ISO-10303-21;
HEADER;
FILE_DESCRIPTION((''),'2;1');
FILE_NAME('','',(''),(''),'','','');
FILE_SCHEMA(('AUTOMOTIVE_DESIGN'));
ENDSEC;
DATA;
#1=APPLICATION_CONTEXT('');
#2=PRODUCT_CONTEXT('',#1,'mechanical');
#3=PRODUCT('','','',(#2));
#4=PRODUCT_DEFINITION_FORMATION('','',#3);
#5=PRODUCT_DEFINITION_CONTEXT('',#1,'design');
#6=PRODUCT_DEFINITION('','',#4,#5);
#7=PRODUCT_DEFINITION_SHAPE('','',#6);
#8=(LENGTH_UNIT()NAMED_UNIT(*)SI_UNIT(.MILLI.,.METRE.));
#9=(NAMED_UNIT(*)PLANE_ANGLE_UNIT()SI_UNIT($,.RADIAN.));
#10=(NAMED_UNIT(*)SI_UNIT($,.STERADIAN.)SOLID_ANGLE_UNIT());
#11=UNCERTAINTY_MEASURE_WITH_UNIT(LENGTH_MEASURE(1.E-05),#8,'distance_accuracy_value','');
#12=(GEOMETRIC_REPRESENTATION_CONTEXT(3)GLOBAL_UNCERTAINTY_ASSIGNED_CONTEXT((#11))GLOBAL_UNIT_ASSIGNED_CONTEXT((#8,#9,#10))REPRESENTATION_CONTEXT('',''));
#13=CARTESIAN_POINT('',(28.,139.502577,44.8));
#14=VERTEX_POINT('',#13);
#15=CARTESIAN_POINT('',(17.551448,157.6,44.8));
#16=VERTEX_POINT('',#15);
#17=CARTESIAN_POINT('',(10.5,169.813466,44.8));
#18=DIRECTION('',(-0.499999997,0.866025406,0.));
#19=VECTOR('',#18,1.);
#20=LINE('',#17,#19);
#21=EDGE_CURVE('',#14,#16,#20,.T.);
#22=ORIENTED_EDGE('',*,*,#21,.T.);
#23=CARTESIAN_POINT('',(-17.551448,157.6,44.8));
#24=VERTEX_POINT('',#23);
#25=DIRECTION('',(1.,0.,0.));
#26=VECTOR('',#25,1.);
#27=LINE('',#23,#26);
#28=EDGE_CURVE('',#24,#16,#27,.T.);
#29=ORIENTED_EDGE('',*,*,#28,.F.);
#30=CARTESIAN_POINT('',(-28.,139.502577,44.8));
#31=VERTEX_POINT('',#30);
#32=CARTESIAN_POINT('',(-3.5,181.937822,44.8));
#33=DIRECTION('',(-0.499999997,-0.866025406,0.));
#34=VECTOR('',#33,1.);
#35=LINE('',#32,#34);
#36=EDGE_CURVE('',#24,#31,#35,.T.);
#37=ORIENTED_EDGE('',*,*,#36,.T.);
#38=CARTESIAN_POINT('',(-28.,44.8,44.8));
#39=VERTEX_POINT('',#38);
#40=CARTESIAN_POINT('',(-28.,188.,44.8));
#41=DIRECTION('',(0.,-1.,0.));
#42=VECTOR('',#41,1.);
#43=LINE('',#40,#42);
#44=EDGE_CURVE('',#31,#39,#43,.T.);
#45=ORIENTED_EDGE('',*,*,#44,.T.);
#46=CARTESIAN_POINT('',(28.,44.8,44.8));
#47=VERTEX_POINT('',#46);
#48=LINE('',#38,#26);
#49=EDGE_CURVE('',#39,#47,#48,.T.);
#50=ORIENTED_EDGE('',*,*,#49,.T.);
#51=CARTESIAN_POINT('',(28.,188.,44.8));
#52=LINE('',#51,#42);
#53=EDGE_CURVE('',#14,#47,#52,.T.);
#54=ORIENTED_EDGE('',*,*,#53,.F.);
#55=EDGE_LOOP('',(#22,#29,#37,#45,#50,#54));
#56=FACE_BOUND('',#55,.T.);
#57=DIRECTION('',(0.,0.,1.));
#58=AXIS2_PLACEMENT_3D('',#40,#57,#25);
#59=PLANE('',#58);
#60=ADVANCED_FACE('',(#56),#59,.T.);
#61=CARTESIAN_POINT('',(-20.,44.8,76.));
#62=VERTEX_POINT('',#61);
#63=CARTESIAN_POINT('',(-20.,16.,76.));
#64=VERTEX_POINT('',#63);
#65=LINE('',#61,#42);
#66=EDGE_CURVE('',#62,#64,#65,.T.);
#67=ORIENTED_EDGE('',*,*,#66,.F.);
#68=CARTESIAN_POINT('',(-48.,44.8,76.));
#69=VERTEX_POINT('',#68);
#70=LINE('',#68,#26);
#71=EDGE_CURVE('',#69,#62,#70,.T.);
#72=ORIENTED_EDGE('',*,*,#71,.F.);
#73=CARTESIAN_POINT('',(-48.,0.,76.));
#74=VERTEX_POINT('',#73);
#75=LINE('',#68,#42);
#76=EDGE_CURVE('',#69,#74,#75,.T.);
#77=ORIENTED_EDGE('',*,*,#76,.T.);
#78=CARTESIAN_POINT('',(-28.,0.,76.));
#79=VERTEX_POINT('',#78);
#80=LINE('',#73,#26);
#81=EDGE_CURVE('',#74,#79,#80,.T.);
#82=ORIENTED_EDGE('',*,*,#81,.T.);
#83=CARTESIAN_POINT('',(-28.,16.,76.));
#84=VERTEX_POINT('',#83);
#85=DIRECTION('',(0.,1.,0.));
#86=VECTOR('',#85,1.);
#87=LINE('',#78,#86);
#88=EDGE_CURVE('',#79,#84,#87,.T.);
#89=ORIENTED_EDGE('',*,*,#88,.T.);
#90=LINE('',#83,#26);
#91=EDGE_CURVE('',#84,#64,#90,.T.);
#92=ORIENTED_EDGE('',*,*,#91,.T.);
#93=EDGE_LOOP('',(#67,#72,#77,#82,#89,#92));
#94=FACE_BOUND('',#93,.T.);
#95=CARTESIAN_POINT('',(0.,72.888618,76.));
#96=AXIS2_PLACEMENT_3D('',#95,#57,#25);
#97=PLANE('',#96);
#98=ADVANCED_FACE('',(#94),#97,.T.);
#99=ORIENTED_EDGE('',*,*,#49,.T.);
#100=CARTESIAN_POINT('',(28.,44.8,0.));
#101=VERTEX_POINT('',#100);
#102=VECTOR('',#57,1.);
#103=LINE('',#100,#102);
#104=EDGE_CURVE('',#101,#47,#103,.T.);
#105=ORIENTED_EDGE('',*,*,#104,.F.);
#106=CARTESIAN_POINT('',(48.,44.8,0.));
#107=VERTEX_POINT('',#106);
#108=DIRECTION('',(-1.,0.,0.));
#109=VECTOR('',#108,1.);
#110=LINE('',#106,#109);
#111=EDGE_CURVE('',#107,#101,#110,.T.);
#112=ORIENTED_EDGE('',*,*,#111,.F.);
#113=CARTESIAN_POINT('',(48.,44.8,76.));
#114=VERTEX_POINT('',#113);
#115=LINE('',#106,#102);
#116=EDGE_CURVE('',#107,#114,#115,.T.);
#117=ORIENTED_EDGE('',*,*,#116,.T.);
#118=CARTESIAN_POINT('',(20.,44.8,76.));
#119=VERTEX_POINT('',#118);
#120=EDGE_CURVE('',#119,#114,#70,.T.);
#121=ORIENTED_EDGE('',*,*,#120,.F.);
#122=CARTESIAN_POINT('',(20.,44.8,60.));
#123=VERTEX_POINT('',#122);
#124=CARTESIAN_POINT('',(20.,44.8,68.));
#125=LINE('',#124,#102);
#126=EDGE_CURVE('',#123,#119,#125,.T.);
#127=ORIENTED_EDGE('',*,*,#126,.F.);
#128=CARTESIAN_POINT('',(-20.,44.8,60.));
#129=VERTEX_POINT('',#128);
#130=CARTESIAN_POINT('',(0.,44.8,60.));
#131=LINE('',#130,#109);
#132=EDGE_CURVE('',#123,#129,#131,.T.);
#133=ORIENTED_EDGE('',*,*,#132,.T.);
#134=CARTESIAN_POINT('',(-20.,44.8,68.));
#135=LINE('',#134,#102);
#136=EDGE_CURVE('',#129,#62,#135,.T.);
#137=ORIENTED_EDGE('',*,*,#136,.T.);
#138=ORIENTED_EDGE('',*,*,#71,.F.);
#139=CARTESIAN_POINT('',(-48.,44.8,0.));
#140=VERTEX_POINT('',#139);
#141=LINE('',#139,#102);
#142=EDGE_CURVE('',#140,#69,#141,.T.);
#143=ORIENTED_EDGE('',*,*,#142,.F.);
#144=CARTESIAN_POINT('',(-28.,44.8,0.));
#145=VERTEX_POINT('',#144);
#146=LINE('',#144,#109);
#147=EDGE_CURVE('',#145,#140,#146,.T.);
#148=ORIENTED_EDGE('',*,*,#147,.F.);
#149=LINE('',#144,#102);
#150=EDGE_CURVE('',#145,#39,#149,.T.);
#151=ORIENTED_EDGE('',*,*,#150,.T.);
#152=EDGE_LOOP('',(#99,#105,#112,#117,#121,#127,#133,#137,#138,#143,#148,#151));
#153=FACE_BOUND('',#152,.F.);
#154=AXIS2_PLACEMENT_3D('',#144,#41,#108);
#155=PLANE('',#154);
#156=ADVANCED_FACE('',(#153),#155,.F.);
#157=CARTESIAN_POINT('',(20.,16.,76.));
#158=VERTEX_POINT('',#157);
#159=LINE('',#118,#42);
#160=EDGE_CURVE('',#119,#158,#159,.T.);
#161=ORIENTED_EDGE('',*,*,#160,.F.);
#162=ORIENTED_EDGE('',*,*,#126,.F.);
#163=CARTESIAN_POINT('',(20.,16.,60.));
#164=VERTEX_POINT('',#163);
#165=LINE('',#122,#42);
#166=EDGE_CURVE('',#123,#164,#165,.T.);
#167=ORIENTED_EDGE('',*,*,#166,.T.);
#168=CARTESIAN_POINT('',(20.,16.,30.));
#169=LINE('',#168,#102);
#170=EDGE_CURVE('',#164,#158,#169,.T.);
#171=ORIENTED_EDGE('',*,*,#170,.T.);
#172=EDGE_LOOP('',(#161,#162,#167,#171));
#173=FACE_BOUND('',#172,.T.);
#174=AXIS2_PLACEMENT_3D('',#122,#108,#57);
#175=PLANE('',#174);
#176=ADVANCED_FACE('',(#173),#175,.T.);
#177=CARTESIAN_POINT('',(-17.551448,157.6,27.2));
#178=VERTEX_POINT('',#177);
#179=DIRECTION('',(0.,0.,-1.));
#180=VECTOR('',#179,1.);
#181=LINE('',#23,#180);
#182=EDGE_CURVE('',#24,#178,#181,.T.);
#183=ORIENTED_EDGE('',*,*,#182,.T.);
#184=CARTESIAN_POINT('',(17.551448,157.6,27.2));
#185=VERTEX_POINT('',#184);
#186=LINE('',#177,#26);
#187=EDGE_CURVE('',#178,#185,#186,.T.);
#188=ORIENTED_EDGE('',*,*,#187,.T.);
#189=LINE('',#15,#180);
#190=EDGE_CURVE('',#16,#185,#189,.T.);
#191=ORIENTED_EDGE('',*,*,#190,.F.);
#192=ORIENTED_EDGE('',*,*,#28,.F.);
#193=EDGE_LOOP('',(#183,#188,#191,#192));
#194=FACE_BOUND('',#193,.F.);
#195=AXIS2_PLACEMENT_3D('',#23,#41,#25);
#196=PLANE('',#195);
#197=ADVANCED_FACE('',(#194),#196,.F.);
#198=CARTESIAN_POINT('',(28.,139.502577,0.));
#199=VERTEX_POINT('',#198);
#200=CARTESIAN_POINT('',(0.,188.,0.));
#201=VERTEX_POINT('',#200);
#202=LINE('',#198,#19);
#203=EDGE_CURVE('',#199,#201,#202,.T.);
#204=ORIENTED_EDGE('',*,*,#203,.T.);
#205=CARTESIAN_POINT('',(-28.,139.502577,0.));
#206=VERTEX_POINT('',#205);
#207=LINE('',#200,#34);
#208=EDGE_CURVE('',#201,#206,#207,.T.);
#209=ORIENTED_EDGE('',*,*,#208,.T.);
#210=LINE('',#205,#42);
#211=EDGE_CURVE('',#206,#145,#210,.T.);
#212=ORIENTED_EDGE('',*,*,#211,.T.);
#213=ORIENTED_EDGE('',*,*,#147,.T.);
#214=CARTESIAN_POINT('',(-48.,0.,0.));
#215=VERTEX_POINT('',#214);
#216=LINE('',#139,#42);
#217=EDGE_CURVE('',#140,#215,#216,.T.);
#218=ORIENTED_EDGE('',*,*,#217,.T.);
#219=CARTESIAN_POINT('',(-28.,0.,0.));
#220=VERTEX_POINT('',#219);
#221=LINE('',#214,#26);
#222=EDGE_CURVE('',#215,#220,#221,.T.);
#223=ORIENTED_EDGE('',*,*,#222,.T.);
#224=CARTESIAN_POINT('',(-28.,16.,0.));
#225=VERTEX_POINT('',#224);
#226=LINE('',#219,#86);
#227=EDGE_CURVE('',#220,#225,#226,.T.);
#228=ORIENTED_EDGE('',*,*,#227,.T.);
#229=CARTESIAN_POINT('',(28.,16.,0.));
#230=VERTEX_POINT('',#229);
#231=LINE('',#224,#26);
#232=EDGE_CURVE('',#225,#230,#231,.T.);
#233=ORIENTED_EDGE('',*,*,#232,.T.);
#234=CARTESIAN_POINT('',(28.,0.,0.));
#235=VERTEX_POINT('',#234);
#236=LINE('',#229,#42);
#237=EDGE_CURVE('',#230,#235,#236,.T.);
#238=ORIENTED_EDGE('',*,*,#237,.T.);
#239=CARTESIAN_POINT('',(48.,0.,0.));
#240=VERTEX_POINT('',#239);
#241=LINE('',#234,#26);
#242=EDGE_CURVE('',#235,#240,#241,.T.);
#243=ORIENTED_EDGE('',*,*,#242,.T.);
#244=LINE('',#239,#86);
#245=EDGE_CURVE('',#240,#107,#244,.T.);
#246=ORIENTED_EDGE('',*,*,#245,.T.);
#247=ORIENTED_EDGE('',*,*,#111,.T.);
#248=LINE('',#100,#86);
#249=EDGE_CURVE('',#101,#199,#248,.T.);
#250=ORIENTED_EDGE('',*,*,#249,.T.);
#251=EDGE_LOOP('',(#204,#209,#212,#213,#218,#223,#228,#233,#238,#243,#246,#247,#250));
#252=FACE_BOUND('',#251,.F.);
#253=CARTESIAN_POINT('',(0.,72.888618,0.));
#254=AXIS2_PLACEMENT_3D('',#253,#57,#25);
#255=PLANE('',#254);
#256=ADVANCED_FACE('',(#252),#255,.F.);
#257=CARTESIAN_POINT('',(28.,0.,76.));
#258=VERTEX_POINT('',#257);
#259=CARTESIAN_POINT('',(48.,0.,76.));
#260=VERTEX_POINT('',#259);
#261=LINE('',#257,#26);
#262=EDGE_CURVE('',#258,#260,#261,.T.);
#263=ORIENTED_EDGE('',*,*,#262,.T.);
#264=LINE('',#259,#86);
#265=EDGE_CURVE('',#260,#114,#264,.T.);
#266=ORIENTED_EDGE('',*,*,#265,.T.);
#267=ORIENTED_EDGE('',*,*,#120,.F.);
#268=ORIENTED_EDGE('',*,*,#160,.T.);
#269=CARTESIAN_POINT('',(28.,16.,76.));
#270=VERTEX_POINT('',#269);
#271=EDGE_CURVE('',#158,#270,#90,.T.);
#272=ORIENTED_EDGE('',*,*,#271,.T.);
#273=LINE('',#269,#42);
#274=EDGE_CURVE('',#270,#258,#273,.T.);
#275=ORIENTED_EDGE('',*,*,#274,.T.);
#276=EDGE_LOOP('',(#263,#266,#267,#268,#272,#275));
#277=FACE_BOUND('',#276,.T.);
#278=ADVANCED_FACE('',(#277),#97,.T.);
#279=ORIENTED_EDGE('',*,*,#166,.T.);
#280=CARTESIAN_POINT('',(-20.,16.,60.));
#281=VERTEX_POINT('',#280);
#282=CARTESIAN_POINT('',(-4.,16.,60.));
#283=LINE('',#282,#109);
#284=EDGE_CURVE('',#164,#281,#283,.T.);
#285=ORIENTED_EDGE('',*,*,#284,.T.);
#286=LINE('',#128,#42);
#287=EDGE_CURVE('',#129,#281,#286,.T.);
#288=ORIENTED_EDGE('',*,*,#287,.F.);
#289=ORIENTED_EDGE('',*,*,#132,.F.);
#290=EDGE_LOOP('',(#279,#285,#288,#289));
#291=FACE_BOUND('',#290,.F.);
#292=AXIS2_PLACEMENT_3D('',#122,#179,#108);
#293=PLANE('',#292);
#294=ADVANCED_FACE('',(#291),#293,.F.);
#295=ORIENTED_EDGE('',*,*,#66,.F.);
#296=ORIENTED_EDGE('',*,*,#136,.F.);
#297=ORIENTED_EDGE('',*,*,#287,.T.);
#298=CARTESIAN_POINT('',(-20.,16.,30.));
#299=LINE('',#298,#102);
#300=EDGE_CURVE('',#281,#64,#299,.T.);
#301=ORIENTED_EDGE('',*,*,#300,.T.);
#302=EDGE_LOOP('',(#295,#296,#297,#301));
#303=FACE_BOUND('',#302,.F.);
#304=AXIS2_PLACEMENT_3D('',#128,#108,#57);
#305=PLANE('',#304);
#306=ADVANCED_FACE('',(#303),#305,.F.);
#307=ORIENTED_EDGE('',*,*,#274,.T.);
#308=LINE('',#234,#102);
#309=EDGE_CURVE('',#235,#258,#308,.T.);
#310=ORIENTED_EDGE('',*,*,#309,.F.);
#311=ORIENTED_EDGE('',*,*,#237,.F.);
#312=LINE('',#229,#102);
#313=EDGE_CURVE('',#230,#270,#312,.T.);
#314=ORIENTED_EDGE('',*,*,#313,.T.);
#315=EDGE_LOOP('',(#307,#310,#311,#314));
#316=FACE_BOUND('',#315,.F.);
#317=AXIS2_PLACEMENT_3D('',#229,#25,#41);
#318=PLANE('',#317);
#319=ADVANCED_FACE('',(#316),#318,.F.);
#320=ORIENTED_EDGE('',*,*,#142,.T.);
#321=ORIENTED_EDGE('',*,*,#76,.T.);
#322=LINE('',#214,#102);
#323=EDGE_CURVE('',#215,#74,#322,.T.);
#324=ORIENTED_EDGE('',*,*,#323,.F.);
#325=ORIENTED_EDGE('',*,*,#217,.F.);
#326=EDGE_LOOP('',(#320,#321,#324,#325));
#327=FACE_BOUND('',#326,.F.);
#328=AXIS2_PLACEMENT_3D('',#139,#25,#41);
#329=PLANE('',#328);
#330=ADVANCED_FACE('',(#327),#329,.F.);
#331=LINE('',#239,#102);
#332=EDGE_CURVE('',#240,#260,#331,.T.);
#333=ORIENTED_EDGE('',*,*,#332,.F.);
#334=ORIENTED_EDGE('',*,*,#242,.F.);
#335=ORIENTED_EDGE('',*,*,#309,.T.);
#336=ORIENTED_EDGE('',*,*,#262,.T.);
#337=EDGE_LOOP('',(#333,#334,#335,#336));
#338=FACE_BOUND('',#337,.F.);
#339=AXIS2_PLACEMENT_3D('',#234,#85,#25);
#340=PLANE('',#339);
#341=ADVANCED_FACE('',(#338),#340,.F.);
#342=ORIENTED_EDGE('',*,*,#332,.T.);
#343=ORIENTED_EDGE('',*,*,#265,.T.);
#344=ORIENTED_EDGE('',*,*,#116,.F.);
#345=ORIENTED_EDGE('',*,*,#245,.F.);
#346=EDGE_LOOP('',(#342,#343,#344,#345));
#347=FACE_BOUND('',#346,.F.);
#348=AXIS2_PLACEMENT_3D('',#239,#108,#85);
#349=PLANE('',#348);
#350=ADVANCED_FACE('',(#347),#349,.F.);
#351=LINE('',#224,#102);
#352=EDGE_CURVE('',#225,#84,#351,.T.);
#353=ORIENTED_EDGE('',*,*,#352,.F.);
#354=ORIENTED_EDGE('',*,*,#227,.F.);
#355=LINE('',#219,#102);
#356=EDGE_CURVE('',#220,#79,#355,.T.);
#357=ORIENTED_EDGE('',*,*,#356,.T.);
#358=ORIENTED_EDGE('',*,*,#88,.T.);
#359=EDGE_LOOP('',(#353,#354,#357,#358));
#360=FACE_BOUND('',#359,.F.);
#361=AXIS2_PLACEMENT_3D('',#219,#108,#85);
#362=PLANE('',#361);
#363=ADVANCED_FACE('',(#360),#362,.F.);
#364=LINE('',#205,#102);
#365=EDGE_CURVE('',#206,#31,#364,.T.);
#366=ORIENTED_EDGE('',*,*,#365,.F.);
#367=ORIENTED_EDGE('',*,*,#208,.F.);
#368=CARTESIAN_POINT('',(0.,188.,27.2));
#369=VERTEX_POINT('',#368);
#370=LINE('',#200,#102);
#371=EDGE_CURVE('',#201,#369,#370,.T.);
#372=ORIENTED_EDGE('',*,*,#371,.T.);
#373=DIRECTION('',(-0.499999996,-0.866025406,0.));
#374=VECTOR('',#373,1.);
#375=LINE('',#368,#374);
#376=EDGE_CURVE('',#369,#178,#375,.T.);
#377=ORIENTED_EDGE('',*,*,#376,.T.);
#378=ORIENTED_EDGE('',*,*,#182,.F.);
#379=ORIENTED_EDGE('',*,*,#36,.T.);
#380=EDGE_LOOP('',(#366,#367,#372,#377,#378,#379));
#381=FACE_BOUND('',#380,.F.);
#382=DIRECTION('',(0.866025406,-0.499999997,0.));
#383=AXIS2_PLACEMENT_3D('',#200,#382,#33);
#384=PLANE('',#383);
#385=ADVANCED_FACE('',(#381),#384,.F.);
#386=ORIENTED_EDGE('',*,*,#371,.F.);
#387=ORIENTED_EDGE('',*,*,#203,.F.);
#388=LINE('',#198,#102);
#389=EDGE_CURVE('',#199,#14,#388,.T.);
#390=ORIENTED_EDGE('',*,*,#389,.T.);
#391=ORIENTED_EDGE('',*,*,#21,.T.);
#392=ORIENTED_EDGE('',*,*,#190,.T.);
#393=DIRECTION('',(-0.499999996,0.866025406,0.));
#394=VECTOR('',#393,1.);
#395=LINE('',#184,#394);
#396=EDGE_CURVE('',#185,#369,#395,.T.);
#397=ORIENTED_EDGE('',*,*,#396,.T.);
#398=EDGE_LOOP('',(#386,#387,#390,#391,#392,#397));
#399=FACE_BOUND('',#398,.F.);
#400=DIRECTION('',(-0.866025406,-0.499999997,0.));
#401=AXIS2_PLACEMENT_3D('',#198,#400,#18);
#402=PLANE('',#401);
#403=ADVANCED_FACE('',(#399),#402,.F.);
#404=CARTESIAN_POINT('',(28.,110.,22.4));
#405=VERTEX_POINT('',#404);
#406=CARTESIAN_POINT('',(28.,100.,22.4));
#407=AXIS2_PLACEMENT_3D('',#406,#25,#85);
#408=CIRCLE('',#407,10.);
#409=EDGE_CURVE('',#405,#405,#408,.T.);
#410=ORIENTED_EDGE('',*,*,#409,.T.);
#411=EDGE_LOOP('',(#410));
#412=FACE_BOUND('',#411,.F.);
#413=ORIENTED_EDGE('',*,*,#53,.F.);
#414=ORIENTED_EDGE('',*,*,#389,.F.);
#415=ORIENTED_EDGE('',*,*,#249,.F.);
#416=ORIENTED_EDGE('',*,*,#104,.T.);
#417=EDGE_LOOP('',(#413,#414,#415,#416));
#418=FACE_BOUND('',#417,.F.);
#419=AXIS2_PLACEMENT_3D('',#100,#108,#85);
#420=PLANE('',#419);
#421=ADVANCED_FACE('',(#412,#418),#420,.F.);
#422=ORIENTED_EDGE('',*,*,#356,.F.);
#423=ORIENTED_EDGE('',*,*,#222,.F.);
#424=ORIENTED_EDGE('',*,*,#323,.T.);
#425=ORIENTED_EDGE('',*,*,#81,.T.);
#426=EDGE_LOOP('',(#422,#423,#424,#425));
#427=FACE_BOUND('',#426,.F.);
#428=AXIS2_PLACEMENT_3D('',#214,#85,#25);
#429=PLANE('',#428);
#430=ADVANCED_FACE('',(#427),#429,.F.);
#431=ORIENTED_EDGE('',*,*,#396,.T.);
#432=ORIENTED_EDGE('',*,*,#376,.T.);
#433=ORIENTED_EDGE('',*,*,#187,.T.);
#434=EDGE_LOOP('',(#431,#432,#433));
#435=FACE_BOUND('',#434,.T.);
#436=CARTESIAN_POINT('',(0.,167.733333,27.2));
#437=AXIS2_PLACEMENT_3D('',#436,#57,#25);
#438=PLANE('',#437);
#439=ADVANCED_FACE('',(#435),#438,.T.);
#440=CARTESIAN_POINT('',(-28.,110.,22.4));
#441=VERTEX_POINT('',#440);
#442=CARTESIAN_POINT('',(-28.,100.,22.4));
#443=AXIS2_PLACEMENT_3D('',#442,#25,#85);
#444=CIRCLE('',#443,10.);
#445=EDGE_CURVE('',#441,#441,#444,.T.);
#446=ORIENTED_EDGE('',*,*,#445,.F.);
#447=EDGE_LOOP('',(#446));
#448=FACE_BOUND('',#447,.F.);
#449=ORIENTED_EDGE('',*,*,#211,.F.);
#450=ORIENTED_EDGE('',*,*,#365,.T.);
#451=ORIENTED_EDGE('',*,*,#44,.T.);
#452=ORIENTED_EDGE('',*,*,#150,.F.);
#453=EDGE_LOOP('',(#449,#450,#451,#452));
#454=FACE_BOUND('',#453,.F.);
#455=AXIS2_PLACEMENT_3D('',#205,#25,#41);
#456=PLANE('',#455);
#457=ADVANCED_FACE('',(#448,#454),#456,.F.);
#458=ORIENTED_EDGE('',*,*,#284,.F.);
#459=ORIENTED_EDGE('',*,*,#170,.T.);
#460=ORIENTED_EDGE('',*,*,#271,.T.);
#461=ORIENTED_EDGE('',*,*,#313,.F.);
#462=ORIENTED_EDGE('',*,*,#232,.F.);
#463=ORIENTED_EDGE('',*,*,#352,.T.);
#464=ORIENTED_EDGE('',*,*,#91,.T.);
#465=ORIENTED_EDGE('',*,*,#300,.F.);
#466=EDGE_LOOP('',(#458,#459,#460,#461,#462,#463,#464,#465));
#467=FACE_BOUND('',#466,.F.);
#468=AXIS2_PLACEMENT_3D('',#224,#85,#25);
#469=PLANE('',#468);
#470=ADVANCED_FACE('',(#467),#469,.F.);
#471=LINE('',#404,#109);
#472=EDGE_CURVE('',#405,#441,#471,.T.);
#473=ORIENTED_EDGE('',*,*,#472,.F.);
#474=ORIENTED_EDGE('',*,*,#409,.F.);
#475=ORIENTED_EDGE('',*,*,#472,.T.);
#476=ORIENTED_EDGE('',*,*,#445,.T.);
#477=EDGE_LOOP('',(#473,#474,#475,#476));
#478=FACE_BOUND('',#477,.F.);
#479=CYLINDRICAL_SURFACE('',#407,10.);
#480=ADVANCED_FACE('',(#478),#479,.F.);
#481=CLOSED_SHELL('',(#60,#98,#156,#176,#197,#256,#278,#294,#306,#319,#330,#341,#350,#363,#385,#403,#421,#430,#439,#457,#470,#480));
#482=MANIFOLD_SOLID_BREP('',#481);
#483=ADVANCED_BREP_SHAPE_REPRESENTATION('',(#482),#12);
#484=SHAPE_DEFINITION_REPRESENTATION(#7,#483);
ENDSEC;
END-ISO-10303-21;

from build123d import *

# Parameters (mm, degrees)
PAD_DEPTH       = 76
POCKET_DEPTH    = 143.2
SKETCH002_W     = 40
SKETCH002_H     = 16
POCKET001_DEPTH = 44.801
POCKET002_DEPTH = 17.6
SKETCH004_R     = 10
POCKET003_DEPTH = 76.001


with BuildPart() as part:
    # Sketch → Pad (new body)
    with BuildSketch(Plane.XY):
        Polygon((-48, 44.8), (-48, 0), (-28, 0), (-28, 16), (28, 16), (28, 0), (48, 0), (48, 44.8), (28, 44.8), (28, 139.502577), (0, 188), (-28, 139.502577), (-28, 44.8), align=None)
    extrude(amount=PAD_DEPTH)

    # Sketch001 (on DatumPlane) → Pocket (cut)
    with BuildSketch(Plane.XZ.offset(-188)):
        Polygon((48, 76), (-48, 76), (-48, 0), (-28, 0), (-28, 44.8), (28, 44.8), (28, 0), (48, 0), align=None)
    extrude(amount=POCKET_DEPTH, mode=Mode.SUBTRACT)

    # Sketch002 (on Face7 of Pocket) → Pocket001 (cut, through all)
    with BuildSketch(Plane(origin=(0, 44.8, 0), x_dir=(-1, 0, 0), z_dir=(0, 1, 0))):
        with Locations((0, 68)):
            Rectangle(SKETCH002_W, SKETCH002_H)
    extrude(amount=-POCKET001_DEPTH, mode=Mode.SUBTRACT)

    # Sketch003 (on Face18 of Pocket001) → Pocket002 (cut)
    with BuildSketch(Plane.XY.offset(44.8)):
        Polygon((0, 188), (-17.551448, 157.6), (17.551448, 157.6), align=None)
    extrude(amount=-POCKET002_DEPTH, mode=Mode.SUBTRACT)

    # Sketch004 (on Face14 of Pocket002) → Pocket003 (cut, through all)
    with BuildSketch(Plane.YZ.offset(28)):
        with Locations((100, 22.4)):
            Circle(SKETCH004_R)
    extrude(amount=-POCKET003_DEPTH, mode=Mode.SUBTRACT)


solid = part.part
